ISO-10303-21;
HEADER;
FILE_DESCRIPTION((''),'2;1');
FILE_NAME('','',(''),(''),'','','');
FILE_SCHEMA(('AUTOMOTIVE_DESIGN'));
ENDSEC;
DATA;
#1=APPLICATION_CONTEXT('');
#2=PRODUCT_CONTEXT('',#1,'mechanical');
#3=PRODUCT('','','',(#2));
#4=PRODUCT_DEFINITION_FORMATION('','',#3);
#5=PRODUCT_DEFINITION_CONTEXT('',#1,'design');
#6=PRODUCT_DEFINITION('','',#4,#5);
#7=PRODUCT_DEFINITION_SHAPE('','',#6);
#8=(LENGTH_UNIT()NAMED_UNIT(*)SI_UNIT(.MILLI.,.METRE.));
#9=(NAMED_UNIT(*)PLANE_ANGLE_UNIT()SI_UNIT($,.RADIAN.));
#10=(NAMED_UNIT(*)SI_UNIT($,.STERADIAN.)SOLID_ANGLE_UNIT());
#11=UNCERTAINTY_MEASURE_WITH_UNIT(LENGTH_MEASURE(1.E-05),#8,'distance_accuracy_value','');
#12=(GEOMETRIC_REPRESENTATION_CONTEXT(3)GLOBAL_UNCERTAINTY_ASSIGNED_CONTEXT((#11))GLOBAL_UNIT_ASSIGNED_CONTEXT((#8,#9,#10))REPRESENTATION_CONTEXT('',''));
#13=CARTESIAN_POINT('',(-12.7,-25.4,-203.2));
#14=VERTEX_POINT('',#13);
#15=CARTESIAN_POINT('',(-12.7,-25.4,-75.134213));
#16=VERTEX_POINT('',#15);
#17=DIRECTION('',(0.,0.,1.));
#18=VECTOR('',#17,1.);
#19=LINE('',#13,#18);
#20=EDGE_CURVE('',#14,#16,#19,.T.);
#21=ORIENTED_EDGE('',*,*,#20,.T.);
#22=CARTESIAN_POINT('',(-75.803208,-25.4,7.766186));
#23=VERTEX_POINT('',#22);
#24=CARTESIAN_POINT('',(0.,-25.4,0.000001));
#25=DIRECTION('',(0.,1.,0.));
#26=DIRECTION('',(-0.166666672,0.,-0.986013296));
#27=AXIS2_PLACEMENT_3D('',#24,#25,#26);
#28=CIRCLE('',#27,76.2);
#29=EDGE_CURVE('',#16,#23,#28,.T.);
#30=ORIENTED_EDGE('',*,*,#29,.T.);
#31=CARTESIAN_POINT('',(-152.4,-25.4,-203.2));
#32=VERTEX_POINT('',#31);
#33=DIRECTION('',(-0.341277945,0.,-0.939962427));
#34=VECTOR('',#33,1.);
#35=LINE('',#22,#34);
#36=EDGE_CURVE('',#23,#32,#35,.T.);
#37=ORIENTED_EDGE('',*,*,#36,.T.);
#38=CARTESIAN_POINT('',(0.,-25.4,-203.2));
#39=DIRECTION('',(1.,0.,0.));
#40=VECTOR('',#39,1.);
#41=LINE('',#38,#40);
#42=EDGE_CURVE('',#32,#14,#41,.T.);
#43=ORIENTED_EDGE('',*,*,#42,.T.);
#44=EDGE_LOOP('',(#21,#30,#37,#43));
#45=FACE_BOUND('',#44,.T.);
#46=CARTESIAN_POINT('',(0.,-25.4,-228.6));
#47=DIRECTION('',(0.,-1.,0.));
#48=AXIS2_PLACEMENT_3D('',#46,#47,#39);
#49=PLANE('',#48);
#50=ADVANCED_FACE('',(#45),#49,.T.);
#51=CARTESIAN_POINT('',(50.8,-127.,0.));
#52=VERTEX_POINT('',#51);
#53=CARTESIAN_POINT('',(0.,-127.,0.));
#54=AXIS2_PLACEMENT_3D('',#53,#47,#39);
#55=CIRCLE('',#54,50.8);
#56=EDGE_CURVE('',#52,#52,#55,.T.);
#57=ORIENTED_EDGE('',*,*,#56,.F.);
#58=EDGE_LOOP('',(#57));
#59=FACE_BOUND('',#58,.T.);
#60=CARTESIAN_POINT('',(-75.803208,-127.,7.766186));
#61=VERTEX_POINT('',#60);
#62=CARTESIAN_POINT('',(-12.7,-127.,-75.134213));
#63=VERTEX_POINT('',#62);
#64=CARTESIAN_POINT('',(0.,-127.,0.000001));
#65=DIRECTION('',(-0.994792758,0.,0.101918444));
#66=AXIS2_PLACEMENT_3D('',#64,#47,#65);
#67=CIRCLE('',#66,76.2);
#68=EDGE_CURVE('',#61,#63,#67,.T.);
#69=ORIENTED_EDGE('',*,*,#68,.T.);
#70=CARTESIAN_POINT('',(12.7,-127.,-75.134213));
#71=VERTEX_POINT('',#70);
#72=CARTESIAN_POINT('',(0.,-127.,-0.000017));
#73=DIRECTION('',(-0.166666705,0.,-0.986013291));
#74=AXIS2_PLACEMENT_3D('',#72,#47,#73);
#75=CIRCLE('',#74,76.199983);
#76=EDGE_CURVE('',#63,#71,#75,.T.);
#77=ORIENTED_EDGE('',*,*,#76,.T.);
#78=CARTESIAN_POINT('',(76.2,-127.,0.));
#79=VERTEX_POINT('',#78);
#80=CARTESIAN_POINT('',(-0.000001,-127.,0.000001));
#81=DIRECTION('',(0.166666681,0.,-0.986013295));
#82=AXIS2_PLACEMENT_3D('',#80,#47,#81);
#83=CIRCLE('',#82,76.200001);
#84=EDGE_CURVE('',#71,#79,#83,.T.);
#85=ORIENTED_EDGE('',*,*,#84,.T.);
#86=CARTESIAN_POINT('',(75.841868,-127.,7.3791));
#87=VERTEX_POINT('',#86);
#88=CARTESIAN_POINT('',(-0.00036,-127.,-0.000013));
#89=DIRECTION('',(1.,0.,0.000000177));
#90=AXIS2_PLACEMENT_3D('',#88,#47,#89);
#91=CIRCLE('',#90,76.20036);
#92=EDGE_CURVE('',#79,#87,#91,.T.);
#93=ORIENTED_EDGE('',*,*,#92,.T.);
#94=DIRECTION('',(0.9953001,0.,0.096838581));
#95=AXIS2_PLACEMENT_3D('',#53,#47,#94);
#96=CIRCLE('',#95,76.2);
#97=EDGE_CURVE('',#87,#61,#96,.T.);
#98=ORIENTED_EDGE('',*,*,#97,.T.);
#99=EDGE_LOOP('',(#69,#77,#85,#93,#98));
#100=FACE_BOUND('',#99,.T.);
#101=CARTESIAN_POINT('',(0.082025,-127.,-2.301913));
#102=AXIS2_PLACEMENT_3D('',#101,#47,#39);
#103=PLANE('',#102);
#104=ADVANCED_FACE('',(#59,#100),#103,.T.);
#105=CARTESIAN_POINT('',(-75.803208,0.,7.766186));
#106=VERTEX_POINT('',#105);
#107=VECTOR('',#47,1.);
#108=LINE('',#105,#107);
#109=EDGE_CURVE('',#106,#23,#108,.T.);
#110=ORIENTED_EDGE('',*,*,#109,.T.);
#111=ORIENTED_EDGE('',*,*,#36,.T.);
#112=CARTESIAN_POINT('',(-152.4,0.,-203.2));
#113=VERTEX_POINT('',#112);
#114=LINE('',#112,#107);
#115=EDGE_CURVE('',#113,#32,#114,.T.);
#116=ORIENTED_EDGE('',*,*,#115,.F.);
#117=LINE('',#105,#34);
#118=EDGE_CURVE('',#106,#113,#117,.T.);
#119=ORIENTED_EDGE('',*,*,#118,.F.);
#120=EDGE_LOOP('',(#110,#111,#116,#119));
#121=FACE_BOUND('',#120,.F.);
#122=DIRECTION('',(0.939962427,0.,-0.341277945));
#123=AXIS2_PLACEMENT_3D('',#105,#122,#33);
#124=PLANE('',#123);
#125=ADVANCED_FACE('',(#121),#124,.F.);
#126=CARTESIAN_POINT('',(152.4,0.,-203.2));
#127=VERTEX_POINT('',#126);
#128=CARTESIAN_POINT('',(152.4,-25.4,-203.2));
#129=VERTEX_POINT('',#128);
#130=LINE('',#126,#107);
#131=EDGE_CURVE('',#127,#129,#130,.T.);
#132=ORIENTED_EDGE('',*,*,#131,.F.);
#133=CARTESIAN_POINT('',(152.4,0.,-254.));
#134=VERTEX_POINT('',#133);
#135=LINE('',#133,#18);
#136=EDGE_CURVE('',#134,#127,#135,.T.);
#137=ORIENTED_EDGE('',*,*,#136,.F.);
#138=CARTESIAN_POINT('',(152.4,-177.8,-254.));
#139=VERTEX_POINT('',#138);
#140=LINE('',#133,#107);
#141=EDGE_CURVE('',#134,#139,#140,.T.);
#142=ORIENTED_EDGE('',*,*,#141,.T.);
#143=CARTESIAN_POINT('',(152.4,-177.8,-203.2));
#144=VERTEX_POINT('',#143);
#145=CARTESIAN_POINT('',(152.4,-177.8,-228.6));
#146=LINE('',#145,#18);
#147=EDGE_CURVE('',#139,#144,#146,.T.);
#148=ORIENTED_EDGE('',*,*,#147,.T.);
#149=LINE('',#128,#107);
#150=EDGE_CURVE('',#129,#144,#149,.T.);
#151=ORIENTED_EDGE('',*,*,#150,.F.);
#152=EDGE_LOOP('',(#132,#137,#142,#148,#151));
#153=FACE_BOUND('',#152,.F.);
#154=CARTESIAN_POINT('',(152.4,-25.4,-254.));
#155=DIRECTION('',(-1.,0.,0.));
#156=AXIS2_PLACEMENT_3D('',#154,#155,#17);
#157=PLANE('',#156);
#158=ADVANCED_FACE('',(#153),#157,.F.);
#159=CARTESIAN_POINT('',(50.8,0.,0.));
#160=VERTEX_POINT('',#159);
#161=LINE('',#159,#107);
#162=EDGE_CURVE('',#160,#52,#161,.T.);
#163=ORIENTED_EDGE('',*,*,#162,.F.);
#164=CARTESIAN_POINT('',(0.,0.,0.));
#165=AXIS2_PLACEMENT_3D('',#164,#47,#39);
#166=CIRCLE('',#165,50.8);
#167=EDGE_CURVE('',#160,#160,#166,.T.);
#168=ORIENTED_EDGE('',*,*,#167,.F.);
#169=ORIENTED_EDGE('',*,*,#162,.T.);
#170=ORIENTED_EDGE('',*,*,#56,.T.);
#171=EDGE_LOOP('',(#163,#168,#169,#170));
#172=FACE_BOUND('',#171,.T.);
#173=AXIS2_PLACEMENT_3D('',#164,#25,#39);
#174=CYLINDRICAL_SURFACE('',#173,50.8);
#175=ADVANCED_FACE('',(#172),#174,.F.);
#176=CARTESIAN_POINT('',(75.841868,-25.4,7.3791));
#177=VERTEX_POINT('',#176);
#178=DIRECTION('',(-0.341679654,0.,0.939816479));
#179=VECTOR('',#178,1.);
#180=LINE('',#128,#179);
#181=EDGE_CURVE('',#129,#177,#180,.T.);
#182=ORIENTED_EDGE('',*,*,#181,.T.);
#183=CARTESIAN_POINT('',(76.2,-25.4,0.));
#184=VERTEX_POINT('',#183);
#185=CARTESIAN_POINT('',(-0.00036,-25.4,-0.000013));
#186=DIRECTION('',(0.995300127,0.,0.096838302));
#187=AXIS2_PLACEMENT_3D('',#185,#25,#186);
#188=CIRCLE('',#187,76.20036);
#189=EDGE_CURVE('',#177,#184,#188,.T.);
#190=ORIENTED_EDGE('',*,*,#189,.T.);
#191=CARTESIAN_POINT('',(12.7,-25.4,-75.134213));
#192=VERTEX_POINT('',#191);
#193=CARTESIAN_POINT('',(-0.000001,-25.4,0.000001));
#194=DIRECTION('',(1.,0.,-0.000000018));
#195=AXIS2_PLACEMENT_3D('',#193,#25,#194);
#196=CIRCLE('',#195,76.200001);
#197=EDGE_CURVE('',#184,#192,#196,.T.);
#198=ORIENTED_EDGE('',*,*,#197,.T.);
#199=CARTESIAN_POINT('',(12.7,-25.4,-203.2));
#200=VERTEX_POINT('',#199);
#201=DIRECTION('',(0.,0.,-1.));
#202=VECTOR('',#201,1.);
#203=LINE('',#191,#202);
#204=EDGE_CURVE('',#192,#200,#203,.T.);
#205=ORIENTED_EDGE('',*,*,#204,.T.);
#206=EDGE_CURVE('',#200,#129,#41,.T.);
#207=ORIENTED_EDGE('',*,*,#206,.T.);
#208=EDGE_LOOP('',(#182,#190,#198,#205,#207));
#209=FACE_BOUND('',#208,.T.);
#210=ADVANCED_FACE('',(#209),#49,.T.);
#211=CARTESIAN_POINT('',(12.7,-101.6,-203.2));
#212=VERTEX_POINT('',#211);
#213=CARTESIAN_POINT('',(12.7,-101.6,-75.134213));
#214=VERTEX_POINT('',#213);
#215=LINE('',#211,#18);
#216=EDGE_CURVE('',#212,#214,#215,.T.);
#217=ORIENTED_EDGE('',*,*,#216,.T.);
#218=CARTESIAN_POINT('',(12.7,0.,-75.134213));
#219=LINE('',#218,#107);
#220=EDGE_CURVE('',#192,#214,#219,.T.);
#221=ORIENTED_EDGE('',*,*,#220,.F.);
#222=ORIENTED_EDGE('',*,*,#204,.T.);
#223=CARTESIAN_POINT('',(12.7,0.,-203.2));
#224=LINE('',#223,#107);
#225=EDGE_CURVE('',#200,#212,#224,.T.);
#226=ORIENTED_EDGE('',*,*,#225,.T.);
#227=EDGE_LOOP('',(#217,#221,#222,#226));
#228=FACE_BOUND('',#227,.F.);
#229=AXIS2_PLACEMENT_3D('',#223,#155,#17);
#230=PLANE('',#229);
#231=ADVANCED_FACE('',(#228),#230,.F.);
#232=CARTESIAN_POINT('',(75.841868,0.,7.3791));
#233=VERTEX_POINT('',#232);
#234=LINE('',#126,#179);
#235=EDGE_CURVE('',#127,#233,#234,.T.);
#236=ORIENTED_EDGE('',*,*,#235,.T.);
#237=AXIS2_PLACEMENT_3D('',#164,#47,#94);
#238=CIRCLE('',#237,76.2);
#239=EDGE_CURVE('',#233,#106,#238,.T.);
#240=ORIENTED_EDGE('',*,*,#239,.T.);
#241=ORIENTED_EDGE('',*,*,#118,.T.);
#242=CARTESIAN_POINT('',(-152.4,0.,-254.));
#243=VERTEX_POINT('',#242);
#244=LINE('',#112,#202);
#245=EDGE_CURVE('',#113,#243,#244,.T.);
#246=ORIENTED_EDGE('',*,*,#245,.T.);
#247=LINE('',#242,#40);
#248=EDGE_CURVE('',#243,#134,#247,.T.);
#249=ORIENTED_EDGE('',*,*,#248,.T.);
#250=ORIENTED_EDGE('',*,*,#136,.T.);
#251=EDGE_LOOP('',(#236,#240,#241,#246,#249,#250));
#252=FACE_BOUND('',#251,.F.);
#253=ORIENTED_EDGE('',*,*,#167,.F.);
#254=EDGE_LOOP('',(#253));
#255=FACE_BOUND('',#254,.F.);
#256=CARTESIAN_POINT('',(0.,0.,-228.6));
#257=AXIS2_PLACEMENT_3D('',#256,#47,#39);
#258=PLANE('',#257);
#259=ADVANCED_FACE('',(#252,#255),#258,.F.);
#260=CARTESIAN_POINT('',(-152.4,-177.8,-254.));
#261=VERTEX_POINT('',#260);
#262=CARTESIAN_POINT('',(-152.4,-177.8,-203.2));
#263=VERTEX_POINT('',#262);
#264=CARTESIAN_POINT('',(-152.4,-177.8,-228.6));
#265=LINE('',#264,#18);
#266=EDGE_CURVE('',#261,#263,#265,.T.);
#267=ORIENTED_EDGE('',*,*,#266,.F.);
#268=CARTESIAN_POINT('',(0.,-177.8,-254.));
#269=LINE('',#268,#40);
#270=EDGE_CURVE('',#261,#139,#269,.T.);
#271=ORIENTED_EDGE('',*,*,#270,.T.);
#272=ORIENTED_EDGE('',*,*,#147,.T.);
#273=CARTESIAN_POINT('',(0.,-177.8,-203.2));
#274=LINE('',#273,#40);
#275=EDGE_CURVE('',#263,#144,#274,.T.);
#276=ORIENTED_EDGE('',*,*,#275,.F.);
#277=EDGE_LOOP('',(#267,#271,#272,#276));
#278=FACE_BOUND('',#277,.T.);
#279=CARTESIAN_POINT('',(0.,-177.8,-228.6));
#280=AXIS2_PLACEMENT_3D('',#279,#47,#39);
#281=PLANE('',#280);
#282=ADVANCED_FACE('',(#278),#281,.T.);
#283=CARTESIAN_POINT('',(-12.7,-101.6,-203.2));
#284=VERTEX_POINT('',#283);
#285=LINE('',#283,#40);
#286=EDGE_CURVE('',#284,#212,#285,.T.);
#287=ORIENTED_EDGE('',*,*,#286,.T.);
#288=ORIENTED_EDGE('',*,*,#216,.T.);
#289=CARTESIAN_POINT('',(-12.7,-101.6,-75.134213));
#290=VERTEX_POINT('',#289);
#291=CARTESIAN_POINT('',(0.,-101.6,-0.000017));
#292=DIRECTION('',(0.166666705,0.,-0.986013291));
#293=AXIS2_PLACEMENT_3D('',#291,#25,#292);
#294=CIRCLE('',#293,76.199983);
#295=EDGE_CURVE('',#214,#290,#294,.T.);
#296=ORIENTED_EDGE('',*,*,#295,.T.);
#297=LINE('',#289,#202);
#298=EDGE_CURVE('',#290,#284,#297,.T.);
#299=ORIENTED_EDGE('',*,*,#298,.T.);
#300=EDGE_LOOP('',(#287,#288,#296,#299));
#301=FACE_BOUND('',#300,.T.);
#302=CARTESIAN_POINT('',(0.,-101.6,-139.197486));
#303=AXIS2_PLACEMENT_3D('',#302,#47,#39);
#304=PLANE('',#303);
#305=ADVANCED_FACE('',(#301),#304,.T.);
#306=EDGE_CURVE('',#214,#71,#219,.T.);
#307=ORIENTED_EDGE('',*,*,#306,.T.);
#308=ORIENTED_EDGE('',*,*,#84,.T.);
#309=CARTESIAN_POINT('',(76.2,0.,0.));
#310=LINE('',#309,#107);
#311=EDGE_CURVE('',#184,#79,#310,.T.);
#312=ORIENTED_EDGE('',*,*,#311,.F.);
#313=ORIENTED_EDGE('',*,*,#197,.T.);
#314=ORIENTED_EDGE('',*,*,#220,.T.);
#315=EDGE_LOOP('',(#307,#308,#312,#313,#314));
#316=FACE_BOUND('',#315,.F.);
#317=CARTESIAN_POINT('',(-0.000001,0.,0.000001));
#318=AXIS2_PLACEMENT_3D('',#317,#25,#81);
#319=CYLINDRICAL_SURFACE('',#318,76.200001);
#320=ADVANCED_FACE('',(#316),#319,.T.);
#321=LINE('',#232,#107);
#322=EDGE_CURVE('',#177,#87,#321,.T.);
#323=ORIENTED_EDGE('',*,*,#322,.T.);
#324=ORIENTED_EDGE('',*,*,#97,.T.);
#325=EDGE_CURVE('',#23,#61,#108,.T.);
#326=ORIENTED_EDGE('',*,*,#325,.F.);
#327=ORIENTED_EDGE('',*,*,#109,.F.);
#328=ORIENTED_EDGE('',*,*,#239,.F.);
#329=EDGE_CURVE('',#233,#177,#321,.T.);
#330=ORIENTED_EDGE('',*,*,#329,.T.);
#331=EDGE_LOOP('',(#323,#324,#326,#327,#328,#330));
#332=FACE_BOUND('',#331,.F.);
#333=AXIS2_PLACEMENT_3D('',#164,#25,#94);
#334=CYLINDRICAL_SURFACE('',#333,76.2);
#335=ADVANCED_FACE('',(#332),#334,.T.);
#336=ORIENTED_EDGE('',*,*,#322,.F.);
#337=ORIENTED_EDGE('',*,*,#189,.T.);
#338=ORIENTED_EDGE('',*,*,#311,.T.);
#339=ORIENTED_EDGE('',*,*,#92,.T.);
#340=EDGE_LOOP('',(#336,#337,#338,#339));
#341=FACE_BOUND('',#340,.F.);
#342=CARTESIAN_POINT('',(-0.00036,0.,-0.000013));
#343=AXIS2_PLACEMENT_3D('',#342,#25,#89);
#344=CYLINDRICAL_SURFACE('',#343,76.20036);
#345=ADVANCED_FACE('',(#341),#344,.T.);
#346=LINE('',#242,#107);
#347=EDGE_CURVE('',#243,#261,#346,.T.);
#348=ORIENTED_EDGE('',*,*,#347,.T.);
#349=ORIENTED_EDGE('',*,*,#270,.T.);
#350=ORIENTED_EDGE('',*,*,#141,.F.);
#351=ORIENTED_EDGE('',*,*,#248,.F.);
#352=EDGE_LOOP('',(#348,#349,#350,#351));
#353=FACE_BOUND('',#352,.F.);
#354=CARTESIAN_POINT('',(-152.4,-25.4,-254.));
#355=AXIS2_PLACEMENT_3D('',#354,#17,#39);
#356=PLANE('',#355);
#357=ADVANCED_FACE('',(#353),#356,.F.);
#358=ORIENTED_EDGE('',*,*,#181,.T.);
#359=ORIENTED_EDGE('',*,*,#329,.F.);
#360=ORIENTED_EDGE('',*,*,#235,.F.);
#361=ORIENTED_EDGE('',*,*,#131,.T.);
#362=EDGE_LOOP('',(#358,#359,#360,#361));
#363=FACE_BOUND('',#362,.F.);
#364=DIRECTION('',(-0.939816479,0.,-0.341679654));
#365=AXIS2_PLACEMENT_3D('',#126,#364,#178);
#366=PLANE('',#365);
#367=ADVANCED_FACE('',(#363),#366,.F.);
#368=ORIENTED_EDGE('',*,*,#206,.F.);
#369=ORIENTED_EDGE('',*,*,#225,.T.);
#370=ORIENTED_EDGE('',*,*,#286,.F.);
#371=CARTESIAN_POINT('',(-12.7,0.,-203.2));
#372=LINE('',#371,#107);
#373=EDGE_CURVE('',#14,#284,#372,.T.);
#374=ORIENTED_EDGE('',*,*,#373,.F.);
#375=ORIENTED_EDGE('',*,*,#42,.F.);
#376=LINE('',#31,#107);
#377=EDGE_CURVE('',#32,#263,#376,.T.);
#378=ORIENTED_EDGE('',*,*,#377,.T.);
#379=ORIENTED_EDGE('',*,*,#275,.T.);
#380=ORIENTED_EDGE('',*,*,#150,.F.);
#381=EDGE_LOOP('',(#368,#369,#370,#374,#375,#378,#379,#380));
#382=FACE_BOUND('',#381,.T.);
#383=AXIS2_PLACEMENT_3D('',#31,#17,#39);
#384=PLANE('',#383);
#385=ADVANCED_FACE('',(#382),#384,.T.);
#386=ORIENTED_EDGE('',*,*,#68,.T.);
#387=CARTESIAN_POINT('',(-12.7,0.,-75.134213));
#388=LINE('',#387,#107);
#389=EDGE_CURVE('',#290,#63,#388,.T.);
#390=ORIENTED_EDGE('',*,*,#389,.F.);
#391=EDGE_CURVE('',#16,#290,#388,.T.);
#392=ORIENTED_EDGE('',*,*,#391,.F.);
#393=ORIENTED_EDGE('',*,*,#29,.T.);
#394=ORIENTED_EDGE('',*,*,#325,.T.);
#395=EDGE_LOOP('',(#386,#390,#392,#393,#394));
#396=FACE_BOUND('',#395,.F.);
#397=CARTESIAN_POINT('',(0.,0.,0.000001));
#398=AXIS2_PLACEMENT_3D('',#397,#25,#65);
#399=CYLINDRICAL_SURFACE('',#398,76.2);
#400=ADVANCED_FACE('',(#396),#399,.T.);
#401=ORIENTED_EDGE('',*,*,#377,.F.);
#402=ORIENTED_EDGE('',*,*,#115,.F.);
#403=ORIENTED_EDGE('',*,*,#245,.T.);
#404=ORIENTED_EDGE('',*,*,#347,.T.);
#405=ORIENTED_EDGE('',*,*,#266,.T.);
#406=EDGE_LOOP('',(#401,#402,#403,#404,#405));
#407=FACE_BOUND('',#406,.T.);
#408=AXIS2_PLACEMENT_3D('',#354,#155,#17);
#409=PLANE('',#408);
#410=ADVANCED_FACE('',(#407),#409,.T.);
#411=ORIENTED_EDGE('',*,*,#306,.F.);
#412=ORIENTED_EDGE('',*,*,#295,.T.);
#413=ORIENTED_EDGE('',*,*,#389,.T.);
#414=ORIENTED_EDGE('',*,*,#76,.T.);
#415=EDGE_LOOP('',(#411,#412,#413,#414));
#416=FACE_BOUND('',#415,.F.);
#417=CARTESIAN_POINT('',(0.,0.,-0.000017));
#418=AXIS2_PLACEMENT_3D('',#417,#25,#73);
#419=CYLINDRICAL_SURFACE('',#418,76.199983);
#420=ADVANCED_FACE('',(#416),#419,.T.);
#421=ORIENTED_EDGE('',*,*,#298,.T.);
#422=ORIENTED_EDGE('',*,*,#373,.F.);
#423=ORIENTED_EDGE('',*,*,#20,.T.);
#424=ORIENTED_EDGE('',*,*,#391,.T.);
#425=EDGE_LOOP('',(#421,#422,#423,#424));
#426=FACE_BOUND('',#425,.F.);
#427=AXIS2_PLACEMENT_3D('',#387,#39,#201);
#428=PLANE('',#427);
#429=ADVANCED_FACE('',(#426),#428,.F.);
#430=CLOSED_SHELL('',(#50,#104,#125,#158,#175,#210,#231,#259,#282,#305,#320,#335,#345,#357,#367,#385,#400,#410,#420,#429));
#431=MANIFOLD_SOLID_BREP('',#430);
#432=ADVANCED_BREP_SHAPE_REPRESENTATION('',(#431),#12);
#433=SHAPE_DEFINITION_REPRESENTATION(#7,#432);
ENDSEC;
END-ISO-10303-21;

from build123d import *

# Parameters (mm, degrees)
F0_R     = 50.8
F1_DEPTH = 127
F2_DEPTH = 101.6
F3_DEPTH = 25.4
F4_DEPTH = 25.4
F5_W     = 304.8
F5_H     = 50.8
F6_DEPTH = 152.4


with BuildPart() as f1:
    # F0 (on Front) → F1 (new body)
    with BuildSketch(Plane.XZ):
        with BuildLine():
            ThreePointArc((12.7, -75.134213), (58.198711, -49.186888), (76.2, 0))
            ThreePointArc((76.2, 0), (76.110414, 3.693893), (75.841868, 7.3791))
            ThreePointArc((75.841868, 7.3791), (0.194506, 76.199752), (-75.803208, 7.766186))
            ThreePointArc((-75.803208, 7.766186), (-60.632693, -46.153185), (-12.7, -75.134213))
            ThreePointArc((-12.7, -75.134213), (0, -76.2), (12.7, -75.134213))
        make_face()
        Circle(F0_R, mode=Mode.SUBTRACT)
    extrude(amount=F1_DEPTH)

    # F0 (on Front) → F2 (join)
    with BuildSketch(Plane.XZ):
        with BuildLine():
            Line((12.7, -203.2), (12.7, -75.134213))
            ThreePointArc((12.7, -75.134213), (0, -76.2), (-12.7, -75.134213))
            Line((-12.7, -75.134213), (-12.7, -203.2))
            Line((-12.7, -203.2), (12.7, -203.2))
        make_face()
    extrude(amount=F2_DEPTH)

    # F0 (on Front) → F3 (join)
    with BuildSketch(Plane.XZ):
        with BuildLine():
            ThreePointArc((-12.7, -75.134213), (-60.632693, -46.153185), (-75.803208, 7.766186))
            Line((-75.803208, 7.766186), (-152.4, -203.2))
            Line((-152.4, -203.2), (-12.7, -203.2))
            Line((-12.7, -203.2), (-12.7, -75.134213))
        make_face()
        with BuildLine():
            ThreePointArc((75.841868, 7.3791), (76.110414, 3.693893), (76.2, 0))
            ThreePointArc((76.2, 0), (58.198711, -49.186888), (12.7, -75.134213))
            Line((12.7, -75.134213), (12.7, -203.2))
            Line((12.7, -203.2), (152.4, -203.2))
            Line((152.4, -203.2), (75.841868, 7.3791))
        make_face()
    extrude(amount=F3_DEPTH)

    # F0 (on Front) → F4 (join)
    with BuildSketch(Plane.XZ):
        Polygon((152.4, -254), (152.4, -203.2), (12.7, -203.2), (-12.7, -203.2), (-152.4, -203.2), (-152.4, -254), align=None)
    extrude(amount=F4_DEPTH)

    # F5 (on face) → F6 (join)
    with BuildSketch(Plane.XZ.offset(25.4)):
        with Locations((0, -228.6)):
            Rectangle(F5_W, F5_H)
    extrude(amount=F6_DEPTH)


solid = f1.part
